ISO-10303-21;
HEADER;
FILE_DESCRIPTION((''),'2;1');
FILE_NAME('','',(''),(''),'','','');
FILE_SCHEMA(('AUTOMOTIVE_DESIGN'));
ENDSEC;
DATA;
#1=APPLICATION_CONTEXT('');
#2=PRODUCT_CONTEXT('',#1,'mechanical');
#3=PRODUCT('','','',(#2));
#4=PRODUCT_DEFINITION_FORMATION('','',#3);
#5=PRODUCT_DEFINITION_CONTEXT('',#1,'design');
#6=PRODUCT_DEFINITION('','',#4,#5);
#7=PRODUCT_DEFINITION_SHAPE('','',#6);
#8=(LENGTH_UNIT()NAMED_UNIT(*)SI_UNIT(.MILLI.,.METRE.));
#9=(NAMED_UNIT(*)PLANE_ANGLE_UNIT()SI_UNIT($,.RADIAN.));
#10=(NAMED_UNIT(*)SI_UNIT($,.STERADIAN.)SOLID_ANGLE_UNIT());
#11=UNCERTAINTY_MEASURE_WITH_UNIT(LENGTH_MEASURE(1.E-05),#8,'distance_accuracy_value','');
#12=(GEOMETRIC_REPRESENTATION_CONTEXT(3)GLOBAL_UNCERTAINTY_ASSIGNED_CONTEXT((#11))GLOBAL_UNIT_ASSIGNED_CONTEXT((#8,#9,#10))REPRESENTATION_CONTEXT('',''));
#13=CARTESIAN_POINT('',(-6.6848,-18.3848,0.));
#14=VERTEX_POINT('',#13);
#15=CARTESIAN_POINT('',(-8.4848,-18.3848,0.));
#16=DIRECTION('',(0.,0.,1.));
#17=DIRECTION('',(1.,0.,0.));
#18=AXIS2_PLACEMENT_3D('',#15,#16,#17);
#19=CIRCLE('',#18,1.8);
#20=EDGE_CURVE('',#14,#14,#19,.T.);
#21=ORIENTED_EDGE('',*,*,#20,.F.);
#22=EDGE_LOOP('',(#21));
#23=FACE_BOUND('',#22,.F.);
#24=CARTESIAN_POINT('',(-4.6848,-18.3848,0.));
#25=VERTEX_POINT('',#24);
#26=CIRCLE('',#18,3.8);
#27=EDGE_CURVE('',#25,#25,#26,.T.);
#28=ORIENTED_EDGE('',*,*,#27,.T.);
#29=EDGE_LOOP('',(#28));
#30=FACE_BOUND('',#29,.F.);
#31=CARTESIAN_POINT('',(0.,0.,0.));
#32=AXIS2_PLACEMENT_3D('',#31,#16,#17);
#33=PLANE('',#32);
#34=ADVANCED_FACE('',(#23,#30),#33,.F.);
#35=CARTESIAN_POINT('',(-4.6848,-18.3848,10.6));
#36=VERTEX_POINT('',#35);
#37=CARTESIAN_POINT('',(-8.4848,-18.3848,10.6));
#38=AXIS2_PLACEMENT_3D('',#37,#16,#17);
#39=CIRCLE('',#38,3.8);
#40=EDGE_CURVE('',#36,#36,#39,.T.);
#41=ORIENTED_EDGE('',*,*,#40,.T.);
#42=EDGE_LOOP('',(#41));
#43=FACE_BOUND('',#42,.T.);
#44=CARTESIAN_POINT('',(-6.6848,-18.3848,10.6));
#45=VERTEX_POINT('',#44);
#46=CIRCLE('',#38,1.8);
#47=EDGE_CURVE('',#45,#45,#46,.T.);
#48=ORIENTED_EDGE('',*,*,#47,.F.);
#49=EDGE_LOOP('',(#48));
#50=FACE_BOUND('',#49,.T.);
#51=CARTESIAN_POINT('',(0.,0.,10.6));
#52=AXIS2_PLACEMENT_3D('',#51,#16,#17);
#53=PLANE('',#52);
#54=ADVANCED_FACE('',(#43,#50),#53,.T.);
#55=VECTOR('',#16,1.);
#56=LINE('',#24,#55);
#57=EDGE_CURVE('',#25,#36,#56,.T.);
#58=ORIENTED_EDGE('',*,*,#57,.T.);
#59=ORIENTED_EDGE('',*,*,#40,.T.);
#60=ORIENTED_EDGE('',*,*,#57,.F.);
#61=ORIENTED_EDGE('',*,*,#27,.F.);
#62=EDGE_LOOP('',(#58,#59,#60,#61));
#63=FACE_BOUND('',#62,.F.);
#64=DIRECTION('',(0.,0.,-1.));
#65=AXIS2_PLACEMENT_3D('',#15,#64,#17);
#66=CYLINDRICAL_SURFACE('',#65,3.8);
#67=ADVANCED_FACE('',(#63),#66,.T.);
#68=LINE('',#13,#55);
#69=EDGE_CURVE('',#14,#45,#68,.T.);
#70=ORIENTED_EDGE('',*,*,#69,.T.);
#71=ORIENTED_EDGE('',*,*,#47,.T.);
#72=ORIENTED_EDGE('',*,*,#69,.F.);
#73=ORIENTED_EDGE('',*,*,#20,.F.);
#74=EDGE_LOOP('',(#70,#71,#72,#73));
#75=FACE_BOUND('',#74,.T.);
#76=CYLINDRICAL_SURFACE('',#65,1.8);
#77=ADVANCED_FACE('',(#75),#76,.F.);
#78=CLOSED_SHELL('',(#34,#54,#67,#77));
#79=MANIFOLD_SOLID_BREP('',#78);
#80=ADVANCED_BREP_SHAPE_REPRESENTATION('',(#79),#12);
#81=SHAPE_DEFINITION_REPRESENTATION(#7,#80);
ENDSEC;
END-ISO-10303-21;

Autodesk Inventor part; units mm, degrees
ref_plane "YZ Plane" through (0, 0, 0) normal (1, 0, 0) x (0, 1, 0)
sketch "Sketch1" plane through (0, 0, 0) normal (0, 0, 1) x (1, 0, 0)
  circle A0 centre (-8.4848, -18.3848) radius 1.8 projected
  circle A1 centre (-8.4848, -18.3848) radius 3.8
  point P0 (0, 0)
  dimension "d0" = 2
  dimension "d3" = 3.6
ref_plane "Work Plane1" through (-22.1, -32, 28.0512) normal (0, 0, -1) x (0, 1, 0)
ref_plane "Work Plane2" through (-39, -39, 10.6) normal (0, 0, -1) x (0, 1, 0)
extrude "Extrusion1" add sketch "Sketch1" along normal up to surface (10.6 mm away)
properties part number "distanciador"
